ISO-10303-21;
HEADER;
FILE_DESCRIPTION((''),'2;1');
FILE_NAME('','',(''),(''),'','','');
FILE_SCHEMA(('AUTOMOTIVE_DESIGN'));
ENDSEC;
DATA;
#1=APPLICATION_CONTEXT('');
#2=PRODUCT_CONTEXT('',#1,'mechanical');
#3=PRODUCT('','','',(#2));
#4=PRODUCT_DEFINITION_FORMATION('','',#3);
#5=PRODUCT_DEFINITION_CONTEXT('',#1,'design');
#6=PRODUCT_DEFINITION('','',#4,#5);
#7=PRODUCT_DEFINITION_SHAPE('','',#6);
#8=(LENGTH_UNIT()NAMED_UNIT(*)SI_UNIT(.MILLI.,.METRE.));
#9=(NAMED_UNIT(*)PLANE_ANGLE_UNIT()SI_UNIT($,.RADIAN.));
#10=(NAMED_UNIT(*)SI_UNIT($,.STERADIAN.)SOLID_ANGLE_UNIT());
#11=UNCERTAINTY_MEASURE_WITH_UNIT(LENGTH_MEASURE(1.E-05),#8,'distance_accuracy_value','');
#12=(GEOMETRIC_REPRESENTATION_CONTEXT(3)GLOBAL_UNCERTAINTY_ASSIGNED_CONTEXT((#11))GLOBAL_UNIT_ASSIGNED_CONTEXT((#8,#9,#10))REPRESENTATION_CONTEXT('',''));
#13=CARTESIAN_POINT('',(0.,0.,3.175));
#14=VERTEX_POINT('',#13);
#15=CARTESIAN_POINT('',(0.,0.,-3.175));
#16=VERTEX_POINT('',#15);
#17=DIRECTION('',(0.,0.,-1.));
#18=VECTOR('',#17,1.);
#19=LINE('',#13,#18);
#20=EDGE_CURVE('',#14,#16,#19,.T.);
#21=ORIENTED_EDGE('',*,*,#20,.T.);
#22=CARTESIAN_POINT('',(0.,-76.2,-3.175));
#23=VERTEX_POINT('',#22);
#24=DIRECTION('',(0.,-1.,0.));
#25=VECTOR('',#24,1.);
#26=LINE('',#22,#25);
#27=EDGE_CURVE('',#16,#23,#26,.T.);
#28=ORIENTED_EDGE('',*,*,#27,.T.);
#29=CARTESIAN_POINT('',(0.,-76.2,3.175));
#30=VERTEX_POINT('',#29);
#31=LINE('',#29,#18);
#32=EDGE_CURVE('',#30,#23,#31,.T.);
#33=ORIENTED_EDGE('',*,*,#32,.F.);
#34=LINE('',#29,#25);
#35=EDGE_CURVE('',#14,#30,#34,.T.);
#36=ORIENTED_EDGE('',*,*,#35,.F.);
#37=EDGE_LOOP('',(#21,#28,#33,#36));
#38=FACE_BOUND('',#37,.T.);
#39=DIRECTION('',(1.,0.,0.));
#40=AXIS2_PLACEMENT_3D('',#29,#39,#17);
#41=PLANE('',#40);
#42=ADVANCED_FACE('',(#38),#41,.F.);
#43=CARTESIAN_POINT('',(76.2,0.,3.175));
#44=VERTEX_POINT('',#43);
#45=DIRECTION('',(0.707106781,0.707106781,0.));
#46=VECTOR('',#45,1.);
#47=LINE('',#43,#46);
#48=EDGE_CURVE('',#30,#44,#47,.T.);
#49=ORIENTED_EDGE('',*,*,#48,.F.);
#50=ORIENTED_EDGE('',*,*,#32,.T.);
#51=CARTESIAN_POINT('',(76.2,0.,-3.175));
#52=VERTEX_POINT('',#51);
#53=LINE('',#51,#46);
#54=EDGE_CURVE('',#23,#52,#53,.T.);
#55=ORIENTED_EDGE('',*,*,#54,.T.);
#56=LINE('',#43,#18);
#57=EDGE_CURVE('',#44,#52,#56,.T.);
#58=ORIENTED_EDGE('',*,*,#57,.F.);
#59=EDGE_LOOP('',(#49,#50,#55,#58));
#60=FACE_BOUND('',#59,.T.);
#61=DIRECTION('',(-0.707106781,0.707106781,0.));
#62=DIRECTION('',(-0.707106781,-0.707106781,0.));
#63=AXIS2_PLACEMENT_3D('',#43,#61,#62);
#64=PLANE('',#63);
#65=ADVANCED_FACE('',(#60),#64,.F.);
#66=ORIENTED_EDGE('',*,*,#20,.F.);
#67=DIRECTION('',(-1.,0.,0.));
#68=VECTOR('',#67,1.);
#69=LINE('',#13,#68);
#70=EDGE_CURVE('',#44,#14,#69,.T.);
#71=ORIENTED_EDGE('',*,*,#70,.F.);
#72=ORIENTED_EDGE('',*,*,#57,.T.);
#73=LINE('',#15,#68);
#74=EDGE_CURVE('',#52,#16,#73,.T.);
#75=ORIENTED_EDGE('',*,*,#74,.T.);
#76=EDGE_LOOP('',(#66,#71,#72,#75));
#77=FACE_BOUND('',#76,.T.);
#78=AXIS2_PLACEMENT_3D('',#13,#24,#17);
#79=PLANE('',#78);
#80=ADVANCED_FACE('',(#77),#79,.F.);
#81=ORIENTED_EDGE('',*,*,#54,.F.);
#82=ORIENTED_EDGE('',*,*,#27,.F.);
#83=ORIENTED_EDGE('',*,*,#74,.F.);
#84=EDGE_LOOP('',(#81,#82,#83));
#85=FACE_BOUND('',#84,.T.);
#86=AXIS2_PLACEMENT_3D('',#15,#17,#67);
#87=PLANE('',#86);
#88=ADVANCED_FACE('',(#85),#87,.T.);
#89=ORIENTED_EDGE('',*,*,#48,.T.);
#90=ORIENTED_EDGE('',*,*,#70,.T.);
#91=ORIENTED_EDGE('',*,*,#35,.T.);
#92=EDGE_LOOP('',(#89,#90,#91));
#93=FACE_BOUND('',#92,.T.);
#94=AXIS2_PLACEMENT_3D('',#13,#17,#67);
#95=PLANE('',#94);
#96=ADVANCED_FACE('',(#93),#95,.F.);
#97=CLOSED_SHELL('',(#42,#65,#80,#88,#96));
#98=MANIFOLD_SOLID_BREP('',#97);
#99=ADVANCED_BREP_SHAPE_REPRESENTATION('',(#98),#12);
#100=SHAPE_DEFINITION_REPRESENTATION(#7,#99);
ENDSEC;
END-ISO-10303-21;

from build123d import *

# Parameters (mm, degrees)
BOSS_EXTRUDE1_DEPTH = 3.175


with BuildPart() as part:
    # Sketch1 → Boss-Extrude1 (new body, symmetric)
    with BuildSketch(Plane.XY):
        Polygon((0, 0), (76.2, 0), (0, -76.2), align=None)
    extrude(amount=BOSS_EXTRUDE1_DEPTH, both=True)


solid = part.part
